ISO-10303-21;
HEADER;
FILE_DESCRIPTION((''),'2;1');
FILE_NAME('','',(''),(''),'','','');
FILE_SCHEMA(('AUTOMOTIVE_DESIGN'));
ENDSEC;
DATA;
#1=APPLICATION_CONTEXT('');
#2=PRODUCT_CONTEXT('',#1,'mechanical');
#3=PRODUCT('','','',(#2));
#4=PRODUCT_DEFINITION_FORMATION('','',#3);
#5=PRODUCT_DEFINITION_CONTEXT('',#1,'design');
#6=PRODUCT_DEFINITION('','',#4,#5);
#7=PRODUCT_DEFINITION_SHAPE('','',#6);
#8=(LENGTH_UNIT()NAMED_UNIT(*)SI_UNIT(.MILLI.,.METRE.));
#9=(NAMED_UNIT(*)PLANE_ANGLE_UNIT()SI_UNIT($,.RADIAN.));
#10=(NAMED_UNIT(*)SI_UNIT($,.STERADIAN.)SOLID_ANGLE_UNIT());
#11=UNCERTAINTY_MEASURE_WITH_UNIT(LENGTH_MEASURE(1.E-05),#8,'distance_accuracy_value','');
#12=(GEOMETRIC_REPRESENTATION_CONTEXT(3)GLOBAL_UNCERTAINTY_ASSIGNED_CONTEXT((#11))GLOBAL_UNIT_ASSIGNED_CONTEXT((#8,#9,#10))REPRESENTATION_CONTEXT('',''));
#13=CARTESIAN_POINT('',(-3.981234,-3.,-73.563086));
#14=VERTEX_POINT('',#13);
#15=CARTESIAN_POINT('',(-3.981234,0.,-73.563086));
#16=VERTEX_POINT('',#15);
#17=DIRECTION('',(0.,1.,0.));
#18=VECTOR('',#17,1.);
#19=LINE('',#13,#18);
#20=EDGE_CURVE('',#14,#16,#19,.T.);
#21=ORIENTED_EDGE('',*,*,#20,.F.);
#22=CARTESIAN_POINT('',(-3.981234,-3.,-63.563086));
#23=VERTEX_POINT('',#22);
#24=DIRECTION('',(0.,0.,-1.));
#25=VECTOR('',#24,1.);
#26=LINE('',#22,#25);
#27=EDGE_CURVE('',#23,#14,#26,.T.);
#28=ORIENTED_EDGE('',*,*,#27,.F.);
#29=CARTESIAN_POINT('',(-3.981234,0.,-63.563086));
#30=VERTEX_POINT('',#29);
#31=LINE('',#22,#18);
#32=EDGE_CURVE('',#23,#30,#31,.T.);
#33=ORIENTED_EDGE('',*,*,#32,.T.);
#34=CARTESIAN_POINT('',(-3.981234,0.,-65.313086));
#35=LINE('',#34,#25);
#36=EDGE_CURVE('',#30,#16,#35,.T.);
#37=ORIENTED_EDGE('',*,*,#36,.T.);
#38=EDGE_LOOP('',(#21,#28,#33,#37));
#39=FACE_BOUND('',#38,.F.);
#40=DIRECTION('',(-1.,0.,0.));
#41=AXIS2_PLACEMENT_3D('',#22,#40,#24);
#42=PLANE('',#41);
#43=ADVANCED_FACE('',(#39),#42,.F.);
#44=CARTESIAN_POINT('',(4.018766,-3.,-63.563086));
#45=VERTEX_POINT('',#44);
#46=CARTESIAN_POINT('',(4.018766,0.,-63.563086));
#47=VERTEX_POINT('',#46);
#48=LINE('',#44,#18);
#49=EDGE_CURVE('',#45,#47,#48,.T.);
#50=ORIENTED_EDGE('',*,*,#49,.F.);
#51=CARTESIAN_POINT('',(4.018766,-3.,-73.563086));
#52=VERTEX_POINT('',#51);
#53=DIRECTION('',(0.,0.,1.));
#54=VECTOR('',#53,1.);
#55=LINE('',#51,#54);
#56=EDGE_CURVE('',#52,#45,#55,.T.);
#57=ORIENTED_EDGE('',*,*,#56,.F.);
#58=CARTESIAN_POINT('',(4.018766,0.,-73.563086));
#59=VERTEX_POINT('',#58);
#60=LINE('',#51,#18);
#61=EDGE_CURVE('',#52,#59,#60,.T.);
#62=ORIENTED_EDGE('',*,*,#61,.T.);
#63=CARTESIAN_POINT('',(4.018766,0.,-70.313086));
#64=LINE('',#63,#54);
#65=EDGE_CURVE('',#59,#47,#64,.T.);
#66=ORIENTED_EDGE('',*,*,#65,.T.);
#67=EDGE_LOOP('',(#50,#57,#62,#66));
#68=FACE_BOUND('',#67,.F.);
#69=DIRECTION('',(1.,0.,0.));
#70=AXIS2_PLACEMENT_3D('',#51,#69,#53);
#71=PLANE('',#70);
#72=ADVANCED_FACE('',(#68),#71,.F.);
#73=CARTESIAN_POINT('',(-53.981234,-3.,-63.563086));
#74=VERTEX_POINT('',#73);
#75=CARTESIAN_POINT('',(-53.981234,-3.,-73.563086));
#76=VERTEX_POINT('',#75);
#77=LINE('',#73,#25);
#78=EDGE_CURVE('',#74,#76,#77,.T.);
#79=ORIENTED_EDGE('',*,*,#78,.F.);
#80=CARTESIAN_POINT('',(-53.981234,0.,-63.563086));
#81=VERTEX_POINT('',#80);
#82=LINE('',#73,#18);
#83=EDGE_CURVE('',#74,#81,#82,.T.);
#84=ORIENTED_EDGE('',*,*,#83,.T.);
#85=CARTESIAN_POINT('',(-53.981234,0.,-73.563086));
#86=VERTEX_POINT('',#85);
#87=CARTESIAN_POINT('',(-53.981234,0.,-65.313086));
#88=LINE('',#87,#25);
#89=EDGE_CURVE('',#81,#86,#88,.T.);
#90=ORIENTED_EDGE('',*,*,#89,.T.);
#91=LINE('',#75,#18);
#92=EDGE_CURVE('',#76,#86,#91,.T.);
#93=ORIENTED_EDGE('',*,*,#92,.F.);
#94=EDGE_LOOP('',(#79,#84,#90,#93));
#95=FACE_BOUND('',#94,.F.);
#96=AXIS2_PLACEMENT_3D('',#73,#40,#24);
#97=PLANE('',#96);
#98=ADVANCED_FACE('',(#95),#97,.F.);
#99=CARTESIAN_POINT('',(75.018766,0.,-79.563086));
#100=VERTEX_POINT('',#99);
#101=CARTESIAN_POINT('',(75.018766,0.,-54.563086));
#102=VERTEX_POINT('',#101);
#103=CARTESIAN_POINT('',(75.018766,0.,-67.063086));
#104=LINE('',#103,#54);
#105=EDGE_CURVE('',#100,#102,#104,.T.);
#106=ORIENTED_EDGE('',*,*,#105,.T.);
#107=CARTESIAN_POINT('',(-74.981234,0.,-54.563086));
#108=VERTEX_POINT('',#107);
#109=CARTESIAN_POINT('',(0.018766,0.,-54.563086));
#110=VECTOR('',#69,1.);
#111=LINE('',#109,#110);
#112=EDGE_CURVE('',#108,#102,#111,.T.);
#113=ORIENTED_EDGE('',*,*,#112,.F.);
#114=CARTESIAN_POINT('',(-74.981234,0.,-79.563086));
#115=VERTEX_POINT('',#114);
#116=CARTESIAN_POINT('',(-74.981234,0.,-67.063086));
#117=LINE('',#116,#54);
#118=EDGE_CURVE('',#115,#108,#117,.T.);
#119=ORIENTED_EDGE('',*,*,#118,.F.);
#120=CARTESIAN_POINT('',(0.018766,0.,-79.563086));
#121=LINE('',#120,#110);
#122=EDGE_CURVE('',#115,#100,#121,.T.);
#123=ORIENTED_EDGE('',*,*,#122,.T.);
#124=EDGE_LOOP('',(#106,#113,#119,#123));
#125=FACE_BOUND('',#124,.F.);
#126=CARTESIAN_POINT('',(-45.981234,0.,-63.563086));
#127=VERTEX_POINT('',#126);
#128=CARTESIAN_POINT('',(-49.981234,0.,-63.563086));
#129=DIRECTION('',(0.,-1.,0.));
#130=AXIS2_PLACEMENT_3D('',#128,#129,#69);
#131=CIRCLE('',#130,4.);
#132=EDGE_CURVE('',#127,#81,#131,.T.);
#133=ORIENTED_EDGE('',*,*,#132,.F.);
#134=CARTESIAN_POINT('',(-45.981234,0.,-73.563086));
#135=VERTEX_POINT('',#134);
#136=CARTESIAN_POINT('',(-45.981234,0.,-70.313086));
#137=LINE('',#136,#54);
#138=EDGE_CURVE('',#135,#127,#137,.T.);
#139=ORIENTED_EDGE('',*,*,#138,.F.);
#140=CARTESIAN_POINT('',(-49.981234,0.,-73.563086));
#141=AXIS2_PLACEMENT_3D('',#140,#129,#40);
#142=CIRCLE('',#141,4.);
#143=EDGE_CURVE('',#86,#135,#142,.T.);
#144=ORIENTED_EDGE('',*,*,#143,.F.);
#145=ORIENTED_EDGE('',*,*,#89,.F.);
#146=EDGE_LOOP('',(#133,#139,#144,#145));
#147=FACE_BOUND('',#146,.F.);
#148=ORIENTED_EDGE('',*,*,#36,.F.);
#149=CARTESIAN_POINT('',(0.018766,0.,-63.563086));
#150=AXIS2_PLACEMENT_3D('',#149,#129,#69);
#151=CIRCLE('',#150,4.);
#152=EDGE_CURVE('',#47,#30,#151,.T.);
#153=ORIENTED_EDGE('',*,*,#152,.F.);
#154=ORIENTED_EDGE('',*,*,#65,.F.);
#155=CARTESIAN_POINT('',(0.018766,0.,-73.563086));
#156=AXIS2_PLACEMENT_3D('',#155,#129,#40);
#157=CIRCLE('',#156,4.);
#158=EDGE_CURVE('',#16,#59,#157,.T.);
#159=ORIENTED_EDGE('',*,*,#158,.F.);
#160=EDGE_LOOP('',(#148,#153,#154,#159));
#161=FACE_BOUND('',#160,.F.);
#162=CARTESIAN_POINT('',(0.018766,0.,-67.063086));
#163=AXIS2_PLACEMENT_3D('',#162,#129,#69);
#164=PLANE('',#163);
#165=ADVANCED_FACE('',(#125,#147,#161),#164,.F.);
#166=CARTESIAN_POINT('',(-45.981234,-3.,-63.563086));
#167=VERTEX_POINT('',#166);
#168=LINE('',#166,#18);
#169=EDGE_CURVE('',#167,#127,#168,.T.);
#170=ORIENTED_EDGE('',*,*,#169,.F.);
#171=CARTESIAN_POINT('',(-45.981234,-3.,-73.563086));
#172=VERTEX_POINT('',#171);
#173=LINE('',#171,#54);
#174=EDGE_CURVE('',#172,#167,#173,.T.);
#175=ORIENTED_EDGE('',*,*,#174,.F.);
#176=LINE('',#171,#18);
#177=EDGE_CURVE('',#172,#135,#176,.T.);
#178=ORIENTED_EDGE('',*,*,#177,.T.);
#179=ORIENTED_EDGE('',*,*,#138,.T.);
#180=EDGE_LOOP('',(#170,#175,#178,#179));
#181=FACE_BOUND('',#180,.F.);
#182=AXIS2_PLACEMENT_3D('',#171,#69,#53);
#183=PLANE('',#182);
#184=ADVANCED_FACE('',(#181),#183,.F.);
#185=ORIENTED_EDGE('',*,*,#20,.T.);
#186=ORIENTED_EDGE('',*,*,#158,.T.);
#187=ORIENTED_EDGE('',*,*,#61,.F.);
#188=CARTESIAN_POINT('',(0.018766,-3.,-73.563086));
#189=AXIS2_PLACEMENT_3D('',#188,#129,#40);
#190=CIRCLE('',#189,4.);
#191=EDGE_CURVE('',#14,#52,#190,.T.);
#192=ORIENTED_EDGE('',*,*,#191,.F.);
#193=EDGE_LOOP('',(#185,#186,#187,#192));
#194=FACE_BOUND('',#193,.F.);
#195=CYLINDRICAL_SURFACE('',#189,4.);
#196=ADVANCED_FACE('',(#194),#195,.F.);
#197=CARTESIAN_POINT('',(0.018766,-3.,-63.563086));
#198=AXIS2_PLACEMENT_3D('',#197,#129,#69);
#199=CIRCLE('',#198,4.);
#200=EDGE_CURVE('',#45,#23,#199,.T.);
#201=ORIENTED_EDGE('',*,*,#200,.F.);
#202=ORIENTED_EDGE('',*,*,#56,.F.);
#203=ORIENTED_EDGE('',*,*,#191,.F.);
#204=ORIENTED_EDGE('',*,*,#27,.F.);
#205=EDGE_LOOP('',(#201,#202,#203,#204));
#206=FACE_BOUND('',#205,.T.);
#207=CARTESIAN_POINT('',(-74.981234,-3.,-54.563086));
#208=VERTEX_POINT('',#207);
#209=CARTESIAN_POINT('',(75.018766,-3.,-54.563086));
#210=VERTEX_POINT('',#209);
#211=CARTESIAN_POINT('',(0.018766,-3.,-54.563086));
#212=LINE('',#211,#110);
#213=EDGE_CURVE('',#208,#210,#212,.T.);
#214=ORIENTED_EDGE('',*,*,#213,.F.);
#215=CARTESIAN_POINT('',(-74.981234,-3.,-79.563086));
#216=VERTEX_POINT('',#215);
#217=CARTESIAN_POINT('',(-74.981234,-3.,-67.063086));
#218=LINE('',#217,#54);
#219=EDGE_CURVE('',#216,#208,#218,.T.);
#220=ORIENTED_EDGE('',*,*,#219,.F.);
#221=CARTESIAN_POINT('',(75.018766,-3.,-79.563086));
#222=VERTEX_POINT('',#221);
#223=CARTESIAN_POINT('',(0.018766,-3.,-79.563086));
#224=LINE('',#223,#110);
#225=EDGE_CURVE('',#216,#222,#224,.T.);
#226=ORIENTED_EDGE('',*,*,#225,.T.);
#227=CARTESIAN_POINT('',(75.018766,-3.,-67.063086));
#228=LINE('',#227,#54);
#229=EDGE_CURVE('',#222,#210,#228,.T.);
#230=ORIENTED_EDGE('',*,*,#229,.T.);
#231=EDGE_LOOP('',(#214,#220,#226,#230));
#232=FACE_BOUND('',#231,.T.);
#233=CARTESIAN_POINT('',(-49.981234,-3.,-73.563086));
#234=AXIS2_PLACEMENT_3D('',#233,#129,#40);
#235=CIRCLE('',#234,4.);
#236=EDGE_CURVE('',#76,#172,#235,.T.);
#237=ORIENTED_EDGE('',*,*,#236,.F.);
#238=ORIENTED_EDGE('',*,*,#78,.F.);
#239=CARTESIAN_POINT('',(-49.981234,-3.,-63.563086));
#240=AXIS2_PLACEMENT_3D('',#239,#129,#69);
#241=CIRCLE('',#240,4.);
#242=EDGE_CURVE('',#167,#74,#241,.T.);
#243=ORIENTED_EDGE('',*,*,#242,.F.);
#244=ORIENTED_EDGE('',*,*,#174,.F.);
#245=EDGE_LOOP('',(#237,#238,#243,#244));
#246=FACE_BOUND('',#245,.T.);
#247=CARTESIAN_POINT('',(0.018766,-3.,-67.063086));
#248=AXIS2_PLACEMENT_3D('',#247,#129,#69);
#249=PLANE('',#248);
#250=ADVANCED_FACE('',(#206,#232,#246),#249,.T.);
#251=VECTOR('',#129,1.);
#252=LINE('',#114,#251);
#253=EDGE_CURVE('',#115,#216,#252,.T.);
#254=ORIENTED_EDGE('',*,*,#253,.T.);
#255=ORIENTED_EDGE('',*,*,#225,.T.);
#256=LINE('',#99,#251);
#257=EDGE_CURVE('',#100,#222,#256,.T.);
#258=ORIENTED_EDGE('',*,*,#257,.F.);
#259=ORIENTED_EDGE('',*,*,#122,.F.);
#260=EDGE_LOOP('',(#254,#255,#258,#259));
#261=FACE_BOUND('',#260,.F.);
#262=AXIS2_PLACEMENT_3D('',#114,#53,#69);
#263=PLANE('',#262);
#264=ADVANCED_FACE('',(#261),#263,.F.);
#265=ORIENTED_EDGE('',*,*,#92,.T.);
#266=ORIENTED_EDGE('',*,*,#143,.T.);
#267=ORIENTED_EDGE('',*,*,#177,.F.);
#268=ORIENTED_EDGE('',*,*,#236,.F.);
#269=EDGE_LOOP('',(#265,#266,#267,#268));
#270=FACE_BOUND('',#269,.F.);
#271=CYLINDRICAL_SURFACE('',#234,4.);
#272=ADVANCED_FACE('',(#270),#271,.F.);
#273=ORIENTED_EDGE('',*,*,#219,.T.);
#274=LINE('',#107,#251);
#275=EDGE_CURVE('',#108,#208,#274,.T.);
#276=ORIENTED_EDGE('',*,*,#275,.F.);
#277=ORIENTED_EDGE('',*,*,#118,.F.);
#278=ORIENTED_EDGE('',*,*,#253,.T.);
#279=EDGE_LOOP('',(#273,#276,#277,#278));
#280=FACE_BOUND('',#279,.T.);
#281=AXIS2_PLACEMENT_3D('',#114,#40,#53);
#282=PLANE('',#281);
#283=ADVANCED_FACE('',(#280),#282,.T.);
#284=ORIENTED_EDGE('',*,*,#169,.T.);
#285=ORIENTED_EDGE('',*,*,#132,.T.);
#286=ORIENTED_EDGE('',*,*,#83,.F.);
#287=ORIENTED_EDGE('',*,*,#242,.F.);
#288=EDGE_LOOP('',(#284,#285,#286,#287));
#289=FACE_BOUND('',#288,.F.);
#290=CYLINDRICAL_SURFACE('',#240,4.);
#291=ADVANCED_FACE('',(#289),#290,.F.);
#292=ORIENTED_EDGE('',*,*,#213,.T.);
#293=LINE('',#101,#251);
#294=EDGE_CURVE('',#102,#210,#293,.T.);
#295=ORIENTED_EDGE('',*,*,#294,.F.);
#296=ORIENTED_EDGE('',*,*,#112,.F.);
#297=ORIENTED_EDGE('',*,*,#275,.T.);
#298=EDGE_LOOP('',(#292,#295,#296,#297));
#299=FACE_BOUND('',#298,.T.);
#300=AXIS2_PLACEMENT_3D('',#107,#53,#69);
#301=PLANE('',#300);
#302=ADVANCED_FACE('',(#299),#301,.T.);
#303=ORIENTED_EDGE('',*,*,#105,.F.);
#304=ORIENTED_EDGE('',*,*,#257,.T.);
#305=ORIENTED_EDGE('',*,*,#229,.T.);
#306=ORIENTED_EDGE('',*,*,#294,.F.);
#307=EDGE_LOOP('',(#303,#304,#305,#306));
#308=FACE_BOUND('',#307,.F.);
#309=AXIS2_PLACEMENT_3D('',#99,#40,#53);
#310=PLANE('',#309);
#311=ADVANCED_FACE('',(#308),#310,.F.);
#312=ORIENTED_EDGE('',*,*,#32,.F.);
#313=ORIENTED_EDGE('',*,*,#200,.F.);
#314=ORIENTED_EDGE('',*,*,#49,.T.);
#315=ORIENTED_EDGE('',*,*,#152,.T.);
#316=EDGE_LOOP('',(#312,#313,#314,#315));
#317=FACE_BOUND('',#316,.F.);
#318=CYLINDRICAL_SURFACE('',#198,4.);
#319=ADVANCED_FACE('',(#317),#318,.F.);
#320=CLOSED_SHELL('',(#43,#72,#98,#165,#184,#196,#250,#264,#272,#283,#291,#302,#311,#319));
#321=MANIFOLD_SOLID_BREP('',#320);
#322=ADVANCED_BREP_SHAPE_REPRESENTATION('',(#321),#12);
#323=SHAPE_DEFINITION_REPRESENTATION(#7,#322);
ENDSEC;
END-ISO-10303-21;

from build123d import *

# Parameters (mm, degrees)
F0_W     = 150
F0_H     = 25
F1_DEPTH = 3
F3_DEPTH = 25


with BuildPart() as f1:
    # F0 (on Front) → F1 (new body)
    with BuildSketch(Plane.XZ):
        with Locations((0.018766, -67.063086)):
            Rectangle(F0_W, F0_H)
    extrude(amount=F1_DEPTH)

    # F2 (on face) → F3 (cut)
    with BuildSketch(Plane.XZ.offset(3)):
        with BuildLine():
            Line((-45.981234, -73.563086), (-45.981234, -63.563086))
            ThreePointArc((-45.981234, -63.563086), (-49.981234, -59.563086), (-53.981234, -63.563086))
            Line((-53.981234, -63.563086), (-53.981234, -73.563086))
            ThreePointArc((-53.981234, -73.563086), (-49.981234, -77.563086), (-45.981234, -73.563086))
        make_face()
        with BuildLine():
            Line((4.018766, -73.563086), (4.018766, -63.563086))
            ThreePointArc((4.018766, -63.563086), (0.018766, -59.563086), (-3.981234, -63.563086))
            Line((-3.981234, -63.563086), (-3.981234, -73.563086))
            ThreePointArc((-3.981234, -73.563086), (0.018766, -77.563086), (4.018766, -73.563086))
        make_face()
    extrude(amount=-F3_DEPTH, mode=Mode.SUBTRACT)


solid = f1.part
